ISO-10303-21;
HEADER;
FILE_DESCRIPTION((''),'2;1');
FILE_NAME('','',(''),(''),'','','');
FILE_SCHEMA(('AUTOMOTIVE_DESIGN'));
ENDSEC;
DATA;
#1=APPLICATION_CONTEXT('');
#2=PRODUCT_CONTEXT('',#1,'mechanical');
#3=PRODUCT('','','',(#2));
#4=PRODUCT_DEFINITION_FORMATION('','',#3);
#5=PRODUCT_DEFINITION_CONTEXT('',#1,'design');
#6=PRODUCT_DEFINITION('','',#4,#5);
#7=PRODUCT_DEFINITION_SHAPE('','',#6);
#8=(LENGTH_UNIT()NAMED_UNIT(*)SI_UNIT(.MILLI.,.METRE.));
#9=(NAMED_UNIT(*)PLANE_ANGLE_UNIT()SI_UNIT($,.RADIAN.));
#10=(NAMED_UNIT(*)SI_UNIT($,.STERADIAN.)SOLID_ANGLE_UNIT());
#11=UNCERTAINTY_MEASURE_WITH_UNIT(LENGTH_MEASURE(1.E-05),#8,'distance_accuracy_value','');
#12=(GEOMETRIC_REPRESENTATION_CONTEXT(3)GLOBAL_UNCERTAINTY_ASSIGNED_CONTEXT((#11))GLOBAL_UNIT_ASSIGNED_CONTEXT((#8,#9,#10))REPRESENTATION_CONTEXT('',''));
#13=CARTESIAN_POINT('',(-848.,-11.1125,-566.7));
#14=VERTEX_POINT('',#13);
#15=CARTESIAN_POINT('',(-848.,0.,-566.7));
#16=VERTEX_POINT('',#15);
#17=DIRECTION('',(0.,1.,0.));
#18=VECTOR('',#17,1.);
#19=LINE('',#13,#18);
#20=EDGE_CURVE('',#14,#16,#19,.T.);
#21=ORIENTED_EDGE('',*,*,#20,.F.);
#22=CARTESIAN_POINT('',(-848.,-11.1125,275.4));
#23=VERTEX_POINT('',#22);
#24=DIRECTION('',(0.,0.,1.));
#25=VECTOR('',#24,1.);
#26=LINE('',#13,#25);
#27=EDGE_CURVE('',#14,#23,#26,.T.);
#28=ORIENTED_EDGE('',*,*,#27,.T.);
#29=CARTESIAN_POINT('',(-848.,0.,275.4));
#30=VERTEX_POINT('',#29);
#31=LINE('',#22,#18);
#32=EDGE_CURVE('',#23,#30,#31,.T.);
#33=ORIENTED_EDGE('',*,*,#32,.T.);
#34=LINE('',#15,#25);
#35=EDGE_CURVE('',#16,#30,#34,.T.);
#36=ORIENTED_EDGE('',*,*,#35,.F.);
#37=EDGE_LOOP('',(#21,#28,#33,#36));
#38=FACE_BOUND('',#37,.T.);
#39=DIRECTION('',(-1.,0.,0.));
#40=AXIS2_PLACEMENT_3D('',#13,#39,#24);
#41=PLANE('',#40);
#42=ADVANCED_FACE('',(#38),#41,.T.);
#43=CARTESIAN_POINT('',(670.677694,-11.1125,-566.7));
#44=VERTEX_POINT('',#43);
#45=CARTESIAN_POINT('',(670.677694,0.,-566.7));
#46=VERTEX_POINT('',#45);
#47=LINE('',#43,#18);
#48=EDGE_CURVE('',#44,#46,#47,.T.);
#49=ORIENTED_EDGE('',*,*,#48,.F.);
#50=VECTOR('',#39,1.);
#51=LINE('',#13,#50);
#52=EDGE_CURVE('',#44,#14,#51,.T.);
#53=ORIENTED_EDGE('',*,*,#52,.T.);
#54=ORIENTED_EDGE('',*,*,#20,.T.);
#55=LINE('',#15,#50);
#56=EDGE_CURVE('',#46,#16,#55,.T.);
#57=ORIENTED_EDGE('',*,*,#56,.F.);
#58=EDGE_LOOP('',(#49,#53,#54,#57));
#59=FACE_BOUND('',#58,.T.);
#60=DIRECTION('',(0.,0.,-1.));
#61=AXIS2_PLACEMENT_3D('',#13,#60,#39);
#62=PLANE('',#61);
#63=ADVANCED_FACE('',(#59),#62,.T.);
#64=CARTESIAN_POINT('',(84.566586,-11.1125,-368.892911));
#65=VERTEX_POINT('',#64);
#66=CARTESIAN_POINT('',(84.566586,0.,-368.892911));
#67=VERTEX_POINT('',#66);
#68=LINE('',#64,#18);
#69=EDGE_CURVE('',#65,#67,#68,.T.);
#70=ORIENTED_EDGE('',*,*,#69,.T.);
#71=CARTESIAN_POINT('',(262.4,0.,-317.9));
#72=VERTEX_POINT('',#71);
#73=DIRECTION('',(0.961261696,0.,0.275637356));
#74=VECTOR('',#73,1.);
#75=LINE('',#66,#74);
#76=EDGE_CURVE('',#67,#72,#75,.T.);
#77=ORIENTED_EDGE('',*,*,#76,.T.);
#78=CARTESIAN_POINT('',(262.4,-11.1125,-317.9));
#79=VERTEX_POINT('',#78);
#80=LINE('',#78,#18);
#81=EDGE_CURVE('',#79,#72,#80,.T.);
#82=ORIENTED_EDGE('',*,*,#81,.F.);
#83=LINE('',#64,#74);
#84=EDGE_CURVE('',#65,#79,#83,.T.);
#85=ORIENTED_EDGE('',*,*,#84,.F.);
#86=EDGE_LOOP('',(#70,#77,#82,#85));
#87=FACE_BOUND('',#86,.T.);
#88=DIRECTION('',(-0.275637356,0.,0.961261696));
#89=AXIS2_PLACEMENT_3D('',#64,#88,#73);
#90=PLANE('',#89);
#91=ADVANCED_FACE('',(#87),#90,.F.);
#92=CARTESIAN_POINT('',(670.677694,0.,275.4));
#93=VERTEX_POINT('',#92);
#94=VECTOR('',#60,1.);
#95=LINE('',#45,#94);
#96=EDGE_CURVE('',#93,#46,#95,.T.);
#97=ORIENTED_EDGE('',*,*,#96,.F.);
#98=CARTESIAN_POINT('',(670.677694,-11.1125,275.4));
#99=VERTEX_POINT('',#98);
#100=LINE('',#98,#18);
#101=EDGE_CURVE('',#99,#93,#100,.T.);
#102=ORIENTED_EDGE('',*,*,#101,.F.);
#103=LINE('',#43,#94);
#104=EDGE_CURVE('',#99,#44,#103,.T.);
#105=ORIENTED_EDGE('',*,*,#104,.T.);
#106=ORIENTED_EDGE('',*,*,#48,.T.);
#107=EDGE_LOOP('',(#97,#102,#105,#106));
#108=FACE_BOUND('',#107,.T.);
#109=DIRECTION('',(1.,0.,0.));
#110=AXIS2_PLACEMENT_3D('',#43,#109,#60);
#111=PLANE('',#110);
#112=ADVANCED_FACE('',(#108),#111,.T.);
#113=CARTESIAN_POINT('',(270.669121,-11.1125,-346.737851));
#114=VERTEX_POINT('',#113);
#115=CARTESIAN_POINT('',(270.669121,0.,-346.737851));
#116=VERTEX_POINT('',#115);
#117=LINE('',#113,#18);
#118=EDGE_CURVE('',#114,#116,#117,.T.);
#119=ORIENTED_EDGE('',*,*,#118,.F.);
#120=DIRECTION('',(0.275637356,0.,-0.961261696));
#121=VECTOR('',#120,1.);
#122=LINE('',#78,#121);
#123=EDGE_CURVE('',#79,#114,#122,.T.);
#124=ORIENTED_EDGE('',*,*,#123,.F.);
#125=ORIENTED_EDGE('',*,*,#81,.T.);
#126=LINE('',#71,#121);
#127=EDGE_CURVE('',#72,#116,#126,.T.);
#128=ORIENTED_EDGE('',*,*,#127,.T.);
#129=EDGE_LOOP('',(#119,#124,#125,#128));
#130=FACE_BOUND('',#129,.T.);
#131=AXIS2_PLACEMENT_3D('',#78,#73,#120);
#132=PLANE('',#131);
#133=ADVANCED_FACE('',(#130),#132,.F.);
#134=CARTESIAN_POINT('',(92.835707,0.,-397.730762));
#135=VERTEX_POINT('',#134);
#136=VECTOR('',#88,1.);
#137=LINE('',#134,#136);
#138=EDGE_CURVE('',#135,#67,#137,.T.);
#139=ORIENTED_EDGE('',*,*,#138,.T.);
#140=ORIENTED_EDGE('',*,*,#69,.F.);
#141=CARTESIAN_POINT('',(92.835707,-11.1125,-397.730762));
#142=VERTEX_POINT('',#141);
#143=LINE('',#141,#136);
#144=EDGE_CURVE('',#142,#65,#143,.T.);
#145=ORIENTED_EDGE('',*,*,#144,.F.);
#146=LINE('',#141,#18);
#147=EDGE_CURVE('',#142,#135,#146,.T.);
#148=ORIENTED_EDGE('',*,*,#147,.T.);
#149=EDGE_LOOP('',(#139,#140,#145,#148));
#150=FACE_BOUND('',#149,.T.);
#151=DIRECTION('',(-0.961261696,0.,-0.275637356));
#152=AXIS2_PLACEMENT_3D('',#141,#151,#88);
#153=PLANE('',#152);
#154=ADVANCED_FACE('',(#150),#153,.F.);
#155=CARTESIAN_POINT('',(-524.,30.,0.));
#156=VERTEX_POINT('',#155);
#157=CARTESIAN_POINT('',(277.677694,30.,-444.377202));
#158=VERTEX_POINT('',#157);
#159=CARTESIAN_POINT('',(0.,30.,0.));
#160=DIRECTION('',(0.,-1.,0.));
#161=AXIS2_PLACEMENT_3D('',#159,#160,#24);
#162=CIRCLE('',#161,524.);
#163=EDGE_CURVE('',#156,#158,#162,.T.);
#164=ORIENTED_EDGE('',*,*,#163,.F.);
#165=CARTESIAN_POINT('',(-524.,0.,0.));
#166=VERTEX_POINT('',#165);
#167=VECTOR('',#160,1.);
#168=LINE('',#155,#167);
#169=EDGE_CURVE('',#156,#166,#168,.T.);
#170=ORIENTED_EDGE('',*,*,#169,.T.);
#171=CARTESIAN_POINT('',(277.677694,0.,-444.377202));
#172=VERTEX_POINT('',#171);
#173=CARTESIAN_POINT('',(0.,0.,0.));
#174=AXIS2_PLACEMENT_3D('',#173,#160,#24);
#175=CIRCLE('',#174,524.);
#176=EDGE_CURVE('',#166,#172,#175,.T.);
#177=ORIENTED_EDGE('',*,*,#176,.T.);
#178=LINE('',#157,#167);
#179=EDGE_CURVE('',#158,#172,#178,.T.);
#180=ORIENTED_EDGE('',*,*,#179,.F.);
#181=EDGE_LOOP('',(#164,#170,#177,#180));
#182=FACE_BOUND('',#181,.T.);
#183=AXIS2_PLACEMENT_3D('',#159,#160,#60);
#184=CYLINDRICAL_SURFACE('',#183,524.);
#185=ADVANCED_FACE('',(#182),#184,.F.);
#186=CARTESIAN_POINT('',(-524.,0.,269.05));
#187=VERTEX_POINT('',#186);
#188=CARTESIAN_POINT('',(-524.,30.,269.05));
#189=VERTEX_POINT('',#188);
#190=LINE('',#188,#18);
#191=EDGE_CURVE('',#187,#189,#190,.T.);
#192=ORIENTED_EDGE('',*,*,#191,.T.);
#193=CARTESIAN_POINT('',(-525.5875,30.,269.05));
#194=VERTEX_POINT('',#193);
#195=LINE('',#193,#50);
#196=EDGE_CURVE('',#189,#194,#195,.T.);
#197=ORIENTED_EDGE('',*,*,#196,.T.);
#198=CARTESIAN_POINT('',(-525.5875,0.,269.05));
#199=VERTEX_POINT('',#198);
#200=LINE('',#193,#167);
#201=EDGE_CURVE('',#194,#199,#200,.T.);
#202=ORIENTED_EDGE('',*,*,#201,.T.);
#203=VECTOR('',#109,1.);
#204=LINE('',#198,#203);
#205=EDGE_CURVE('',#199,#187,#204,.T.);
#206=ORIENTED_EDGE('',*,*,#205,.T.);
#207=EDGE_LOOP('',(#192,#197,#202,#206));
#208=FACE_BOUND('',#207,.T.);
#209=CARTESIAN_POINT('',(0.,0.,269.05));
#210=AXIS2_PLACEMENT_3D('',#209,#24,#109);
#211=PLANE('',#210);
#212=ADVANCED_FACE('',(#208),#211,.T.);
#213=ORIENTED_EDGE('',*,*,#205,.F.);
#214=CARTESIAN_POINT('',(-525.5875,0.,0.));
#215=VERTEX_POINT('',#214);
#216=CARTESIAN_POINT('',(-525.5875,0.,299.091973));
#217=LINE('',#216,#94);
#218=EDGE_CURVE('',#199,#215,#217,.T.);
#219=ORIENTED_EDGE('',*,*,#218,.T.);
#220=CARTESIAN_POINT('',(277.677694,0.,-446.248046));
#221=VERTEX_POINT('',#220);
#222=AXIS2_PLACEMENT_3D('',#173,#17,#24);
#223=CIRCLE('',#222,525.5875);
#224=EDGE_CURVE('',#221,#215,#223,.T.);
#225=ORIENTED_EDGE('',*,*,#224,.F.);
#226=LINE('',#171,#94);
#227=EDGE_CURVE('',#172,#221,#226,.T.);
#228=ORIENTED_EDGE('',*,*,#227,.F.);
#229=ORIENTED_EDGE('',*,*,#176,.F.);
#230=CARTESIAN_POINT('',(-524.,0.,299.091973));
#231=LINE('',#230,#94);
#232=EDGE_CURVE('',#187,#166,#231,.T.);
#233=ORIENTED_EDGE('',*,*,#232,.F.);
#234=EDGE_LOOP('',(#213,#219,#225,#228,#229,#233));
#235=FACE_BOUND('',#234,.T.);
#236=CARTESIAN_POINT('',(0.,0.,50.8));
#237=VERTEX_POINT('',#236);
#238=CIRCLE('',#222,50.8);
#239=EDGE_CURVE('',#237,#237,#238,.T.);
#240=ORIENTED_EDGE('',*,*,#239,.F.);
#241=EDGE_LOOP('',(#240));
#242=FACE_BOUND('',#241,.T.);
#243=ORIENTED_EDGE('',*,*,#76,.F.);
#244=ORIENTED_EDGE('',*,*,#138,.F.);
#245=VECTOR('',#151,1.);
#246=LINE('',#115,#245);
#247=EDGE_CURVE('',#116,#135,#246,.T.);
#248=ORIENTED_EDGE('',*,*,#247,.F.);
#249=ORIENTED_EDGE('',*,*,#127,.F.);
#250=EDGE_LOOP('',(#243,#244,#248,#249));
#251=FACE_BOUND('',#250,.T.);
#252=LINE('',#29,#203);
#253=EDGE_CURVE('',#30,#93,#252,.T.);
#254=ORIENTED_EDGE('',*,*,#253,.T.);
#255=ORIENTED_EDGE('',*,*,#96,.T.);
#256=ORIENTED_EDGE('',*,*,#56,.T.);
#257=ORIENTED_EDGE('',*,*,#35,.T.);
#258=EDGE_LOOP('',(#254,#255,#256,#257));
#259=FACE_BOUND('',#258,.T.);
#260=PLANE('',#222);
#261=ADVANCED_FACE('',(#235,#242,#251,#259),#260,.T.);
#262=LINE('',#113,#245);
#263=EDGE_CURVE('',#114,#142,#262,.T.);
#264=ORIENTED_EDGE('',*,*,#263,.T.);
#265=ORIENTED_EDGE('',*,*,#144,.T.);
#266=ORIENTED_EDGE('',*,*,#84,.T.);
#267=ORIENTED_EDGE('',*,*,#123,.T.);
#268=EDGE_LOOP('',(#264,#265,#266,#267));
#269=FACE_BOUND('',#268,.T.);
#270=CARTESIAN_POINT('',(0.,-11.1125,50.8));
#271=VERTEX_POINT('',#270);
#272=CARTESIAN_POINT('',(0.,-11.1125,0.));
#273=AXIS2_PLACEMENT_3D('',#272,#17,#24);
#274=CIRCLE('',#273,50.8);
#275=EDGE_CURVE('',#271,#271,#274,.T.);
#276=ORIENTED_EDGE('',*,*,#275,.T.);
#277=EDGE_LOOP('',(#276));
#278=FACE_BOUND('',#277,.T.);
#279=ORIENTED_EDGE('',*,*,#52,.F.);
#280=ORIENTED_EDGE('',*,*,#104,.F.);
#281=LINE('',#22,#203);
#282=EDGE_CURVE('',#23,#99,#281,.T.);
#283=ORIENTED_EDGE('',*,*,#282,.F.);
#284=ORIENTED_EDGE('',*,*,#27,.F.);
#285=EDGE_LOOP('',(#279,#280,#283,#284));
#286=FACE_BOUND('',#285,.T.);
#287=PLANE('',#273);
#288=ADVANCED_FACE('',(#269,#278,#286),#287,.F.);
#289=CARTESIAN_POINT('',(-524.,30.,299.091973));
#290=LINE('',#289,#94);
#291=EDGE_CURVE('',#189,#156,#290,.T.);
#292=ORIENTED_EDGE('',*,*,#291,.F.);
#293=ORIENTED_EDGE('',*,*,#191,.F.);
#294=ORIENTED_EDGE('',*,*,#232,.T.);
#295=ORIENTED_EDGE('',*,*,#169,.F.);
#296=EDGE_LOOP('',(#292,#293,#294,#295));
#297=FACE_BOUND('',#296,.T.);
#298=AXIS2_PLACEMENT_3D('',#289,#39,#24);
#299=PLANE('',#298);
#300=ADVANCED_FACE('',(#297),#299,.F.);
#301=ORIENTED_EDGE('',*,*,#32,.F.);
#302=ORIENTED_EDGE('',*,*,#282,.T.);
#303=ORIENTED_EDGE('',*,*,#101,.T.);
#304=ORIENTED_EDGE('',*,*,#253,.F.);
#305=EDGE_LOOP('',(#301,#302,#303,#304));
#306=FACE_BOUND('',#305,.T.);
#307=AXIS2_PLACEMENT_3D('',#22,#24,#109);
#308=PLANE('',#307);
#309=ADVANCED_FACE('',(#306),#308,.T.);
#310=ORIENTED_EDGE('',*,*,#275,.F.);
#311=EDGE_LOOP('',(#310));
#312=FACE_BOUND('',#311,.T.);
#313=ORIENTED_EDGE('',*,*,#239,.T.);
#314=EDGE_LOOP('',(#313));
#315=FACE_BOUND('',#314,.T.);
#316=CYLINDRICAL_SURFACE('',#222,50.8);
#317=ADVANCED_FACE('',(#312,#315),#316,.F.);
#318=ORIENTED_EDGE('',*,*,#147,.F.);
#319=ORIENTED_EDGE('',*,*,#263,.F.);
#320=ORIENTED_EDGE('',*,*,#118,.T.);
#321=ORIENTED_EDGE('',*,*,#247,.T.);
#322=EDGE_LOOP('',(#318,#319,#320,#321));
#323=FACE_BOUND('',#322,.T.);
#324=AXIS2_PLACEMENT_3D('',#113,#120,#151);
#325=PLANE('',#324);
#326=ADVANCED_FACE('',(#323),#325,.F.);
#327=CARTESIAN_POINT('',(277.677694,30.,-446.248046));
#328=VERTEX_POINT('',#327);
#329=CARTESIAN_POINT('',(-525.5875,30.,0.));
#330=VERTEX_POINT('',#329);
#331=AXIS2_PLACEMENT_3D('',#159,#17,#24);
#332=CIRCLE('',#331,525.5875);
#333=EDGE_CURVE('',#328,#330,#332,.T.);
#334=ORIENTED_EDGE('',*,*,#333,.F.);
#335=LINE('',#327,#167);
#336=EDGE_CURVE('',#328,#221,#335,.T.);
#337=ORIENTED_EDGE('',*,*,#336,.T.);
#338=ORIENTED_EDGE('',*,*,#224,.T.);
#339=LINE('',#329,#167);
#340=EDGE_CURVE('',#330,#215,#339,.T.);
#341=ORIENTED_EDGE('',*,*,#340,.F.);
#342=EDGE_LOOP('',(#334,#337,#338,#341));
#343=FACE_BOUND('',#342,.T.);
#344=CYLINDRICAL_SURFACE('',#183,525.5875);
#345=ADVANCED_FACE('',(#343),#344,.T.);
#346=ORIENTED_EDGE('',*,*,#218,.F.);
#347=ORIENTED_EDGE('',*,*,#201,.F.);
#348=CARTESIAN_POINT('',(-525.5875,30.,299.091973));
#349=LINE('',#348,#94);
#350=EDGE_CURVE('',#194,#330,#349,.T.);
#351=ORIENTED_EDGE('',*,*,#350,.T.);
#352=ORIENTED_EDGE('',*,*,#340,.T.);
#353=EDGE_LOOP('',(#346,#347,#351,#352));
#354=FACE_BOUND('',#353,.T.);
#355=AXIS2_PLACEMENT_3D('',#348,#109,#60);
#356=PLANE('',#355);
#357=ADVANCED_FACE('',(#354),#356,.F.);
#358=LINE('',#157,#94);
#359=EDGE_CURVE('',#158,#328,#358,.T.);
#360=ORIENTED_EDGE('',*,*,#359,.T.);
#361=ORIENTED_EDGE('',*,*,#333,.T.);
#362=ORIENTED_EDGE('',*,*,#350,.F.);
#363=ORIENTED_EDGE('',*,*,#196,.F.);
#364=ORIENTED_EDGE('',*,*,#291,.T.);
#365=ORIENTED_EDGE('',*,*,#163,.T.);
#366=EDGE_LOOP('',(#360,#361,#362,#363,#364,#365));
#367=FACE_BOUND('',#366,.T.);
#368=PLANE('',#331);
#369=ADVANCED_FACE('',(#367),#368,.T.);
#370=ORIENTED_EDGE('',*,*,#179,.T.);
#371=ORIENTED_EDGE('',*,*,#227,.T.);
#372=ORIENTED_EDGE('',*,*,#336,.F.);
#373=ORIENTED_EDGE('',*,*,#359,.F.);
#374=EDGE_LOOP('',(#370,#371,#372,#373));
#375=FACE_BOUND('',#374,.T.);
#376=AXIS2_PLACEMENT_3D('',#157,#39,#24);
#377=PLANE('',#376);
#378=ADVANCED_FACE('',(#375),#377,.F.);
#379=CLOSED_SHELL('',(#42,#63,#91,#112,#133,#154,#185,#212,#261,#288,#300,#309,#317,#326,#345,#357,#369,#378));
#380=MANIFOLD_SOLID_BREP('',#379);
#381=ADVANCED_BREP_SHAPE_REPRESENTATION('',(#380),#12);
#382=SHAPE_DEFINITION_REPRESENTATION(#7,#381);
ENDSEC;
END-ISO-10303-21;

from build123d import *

# Parameters (mm, degrees)
BOSS_EXTRUDE1_DEPTH    = 30
SKETCH4_W              = 1518.677694458
SKETCH4_H              = 842.1
BOSS_EXTRUDE2_DEPTH    = 11.1125
F_20_0MM_DOWEL_HOLE1_D = 101.6
SKETCH8_W              = 1.5875
SKETCH8_H              = 30
BOSS_EXTRUDE3_DEPTH    = 269.05
CUT_EXTRUDE1_DEPTH     = 1021.368996981


with BuildPart() as part:
    # Sketch3 → Boss-Extrude1 (new body)
    with BuildSketch(Plane(origin=(0, 0, 0), x_dir=(1, 0, 0), z_dir=(0, 1, 0))):
        with BuildLine():
            Line((-524, 0), (-525.5875, 0))
            ThreePointArc((-525.5875, 0), (-255.243310314, 459.448661655), (277.677694458, 446.248045549))
            Line((277.677694458, 446.248045549), (277.677694458, 444.377202386))
            ThreePointArc((277.677694458, 444.377202386), (-254.040241009, 458.300726541), (-524, 0))
        make_face()
    extrude(amount=BOSS_EXTRUDE1_DEPTH)

    # Sketch4 → Boss-Extrude2 (add)
    with BuildSketch(Plane(origin=(0, 0, 0), x_dir=(1, 0, 0), z_dir=(0, 1, 0))):
        with Locations((-88.661152771, 145.65)):
            Rectangle(SKETCH4_W, SKETCH4_H)
    extrude(amount=-BOSS_EXTRUDE2_DEPTH)

    # Ø20.0mm Dowel Hole1 (through all)
    with Locations(Plane(origin=(0, 0, 0), x_dir=(1, 0, 0), z_dir=(0, 1, 0))):
        with Locations((0, 0)):
            Hole(F_20_0MM_DOWEL_HOLE1_D / 2)

    # Sketch8 → Boss-Extrude3 (add)
    with BuildSketch(Plane.XY):
        with Locations((-524.79375, 15)):
            Rectangle(SKETCH8_W, SKETCH8_H)
    extrude(amount=BOSS_EXTRUDE3_DEPTH)

    # Sketch9 → Cut-Extrude1 (cut, through all)
    with BuildSketch(Plane(origin=(0, 0, 0), x_dir=(1, 0, 0), z_dir=(0, 1, 0))):
        Polygon((270.669120675, 346.737850878), (92.835706926, 397.730761704), (84.566586251, 368.892910826), (262.4, 317.9), align=None)
    extrude(amount=-CUT_EXTRUDE1_DEPTH, mode=Mode.SUBTRACT)


solid = part.part
